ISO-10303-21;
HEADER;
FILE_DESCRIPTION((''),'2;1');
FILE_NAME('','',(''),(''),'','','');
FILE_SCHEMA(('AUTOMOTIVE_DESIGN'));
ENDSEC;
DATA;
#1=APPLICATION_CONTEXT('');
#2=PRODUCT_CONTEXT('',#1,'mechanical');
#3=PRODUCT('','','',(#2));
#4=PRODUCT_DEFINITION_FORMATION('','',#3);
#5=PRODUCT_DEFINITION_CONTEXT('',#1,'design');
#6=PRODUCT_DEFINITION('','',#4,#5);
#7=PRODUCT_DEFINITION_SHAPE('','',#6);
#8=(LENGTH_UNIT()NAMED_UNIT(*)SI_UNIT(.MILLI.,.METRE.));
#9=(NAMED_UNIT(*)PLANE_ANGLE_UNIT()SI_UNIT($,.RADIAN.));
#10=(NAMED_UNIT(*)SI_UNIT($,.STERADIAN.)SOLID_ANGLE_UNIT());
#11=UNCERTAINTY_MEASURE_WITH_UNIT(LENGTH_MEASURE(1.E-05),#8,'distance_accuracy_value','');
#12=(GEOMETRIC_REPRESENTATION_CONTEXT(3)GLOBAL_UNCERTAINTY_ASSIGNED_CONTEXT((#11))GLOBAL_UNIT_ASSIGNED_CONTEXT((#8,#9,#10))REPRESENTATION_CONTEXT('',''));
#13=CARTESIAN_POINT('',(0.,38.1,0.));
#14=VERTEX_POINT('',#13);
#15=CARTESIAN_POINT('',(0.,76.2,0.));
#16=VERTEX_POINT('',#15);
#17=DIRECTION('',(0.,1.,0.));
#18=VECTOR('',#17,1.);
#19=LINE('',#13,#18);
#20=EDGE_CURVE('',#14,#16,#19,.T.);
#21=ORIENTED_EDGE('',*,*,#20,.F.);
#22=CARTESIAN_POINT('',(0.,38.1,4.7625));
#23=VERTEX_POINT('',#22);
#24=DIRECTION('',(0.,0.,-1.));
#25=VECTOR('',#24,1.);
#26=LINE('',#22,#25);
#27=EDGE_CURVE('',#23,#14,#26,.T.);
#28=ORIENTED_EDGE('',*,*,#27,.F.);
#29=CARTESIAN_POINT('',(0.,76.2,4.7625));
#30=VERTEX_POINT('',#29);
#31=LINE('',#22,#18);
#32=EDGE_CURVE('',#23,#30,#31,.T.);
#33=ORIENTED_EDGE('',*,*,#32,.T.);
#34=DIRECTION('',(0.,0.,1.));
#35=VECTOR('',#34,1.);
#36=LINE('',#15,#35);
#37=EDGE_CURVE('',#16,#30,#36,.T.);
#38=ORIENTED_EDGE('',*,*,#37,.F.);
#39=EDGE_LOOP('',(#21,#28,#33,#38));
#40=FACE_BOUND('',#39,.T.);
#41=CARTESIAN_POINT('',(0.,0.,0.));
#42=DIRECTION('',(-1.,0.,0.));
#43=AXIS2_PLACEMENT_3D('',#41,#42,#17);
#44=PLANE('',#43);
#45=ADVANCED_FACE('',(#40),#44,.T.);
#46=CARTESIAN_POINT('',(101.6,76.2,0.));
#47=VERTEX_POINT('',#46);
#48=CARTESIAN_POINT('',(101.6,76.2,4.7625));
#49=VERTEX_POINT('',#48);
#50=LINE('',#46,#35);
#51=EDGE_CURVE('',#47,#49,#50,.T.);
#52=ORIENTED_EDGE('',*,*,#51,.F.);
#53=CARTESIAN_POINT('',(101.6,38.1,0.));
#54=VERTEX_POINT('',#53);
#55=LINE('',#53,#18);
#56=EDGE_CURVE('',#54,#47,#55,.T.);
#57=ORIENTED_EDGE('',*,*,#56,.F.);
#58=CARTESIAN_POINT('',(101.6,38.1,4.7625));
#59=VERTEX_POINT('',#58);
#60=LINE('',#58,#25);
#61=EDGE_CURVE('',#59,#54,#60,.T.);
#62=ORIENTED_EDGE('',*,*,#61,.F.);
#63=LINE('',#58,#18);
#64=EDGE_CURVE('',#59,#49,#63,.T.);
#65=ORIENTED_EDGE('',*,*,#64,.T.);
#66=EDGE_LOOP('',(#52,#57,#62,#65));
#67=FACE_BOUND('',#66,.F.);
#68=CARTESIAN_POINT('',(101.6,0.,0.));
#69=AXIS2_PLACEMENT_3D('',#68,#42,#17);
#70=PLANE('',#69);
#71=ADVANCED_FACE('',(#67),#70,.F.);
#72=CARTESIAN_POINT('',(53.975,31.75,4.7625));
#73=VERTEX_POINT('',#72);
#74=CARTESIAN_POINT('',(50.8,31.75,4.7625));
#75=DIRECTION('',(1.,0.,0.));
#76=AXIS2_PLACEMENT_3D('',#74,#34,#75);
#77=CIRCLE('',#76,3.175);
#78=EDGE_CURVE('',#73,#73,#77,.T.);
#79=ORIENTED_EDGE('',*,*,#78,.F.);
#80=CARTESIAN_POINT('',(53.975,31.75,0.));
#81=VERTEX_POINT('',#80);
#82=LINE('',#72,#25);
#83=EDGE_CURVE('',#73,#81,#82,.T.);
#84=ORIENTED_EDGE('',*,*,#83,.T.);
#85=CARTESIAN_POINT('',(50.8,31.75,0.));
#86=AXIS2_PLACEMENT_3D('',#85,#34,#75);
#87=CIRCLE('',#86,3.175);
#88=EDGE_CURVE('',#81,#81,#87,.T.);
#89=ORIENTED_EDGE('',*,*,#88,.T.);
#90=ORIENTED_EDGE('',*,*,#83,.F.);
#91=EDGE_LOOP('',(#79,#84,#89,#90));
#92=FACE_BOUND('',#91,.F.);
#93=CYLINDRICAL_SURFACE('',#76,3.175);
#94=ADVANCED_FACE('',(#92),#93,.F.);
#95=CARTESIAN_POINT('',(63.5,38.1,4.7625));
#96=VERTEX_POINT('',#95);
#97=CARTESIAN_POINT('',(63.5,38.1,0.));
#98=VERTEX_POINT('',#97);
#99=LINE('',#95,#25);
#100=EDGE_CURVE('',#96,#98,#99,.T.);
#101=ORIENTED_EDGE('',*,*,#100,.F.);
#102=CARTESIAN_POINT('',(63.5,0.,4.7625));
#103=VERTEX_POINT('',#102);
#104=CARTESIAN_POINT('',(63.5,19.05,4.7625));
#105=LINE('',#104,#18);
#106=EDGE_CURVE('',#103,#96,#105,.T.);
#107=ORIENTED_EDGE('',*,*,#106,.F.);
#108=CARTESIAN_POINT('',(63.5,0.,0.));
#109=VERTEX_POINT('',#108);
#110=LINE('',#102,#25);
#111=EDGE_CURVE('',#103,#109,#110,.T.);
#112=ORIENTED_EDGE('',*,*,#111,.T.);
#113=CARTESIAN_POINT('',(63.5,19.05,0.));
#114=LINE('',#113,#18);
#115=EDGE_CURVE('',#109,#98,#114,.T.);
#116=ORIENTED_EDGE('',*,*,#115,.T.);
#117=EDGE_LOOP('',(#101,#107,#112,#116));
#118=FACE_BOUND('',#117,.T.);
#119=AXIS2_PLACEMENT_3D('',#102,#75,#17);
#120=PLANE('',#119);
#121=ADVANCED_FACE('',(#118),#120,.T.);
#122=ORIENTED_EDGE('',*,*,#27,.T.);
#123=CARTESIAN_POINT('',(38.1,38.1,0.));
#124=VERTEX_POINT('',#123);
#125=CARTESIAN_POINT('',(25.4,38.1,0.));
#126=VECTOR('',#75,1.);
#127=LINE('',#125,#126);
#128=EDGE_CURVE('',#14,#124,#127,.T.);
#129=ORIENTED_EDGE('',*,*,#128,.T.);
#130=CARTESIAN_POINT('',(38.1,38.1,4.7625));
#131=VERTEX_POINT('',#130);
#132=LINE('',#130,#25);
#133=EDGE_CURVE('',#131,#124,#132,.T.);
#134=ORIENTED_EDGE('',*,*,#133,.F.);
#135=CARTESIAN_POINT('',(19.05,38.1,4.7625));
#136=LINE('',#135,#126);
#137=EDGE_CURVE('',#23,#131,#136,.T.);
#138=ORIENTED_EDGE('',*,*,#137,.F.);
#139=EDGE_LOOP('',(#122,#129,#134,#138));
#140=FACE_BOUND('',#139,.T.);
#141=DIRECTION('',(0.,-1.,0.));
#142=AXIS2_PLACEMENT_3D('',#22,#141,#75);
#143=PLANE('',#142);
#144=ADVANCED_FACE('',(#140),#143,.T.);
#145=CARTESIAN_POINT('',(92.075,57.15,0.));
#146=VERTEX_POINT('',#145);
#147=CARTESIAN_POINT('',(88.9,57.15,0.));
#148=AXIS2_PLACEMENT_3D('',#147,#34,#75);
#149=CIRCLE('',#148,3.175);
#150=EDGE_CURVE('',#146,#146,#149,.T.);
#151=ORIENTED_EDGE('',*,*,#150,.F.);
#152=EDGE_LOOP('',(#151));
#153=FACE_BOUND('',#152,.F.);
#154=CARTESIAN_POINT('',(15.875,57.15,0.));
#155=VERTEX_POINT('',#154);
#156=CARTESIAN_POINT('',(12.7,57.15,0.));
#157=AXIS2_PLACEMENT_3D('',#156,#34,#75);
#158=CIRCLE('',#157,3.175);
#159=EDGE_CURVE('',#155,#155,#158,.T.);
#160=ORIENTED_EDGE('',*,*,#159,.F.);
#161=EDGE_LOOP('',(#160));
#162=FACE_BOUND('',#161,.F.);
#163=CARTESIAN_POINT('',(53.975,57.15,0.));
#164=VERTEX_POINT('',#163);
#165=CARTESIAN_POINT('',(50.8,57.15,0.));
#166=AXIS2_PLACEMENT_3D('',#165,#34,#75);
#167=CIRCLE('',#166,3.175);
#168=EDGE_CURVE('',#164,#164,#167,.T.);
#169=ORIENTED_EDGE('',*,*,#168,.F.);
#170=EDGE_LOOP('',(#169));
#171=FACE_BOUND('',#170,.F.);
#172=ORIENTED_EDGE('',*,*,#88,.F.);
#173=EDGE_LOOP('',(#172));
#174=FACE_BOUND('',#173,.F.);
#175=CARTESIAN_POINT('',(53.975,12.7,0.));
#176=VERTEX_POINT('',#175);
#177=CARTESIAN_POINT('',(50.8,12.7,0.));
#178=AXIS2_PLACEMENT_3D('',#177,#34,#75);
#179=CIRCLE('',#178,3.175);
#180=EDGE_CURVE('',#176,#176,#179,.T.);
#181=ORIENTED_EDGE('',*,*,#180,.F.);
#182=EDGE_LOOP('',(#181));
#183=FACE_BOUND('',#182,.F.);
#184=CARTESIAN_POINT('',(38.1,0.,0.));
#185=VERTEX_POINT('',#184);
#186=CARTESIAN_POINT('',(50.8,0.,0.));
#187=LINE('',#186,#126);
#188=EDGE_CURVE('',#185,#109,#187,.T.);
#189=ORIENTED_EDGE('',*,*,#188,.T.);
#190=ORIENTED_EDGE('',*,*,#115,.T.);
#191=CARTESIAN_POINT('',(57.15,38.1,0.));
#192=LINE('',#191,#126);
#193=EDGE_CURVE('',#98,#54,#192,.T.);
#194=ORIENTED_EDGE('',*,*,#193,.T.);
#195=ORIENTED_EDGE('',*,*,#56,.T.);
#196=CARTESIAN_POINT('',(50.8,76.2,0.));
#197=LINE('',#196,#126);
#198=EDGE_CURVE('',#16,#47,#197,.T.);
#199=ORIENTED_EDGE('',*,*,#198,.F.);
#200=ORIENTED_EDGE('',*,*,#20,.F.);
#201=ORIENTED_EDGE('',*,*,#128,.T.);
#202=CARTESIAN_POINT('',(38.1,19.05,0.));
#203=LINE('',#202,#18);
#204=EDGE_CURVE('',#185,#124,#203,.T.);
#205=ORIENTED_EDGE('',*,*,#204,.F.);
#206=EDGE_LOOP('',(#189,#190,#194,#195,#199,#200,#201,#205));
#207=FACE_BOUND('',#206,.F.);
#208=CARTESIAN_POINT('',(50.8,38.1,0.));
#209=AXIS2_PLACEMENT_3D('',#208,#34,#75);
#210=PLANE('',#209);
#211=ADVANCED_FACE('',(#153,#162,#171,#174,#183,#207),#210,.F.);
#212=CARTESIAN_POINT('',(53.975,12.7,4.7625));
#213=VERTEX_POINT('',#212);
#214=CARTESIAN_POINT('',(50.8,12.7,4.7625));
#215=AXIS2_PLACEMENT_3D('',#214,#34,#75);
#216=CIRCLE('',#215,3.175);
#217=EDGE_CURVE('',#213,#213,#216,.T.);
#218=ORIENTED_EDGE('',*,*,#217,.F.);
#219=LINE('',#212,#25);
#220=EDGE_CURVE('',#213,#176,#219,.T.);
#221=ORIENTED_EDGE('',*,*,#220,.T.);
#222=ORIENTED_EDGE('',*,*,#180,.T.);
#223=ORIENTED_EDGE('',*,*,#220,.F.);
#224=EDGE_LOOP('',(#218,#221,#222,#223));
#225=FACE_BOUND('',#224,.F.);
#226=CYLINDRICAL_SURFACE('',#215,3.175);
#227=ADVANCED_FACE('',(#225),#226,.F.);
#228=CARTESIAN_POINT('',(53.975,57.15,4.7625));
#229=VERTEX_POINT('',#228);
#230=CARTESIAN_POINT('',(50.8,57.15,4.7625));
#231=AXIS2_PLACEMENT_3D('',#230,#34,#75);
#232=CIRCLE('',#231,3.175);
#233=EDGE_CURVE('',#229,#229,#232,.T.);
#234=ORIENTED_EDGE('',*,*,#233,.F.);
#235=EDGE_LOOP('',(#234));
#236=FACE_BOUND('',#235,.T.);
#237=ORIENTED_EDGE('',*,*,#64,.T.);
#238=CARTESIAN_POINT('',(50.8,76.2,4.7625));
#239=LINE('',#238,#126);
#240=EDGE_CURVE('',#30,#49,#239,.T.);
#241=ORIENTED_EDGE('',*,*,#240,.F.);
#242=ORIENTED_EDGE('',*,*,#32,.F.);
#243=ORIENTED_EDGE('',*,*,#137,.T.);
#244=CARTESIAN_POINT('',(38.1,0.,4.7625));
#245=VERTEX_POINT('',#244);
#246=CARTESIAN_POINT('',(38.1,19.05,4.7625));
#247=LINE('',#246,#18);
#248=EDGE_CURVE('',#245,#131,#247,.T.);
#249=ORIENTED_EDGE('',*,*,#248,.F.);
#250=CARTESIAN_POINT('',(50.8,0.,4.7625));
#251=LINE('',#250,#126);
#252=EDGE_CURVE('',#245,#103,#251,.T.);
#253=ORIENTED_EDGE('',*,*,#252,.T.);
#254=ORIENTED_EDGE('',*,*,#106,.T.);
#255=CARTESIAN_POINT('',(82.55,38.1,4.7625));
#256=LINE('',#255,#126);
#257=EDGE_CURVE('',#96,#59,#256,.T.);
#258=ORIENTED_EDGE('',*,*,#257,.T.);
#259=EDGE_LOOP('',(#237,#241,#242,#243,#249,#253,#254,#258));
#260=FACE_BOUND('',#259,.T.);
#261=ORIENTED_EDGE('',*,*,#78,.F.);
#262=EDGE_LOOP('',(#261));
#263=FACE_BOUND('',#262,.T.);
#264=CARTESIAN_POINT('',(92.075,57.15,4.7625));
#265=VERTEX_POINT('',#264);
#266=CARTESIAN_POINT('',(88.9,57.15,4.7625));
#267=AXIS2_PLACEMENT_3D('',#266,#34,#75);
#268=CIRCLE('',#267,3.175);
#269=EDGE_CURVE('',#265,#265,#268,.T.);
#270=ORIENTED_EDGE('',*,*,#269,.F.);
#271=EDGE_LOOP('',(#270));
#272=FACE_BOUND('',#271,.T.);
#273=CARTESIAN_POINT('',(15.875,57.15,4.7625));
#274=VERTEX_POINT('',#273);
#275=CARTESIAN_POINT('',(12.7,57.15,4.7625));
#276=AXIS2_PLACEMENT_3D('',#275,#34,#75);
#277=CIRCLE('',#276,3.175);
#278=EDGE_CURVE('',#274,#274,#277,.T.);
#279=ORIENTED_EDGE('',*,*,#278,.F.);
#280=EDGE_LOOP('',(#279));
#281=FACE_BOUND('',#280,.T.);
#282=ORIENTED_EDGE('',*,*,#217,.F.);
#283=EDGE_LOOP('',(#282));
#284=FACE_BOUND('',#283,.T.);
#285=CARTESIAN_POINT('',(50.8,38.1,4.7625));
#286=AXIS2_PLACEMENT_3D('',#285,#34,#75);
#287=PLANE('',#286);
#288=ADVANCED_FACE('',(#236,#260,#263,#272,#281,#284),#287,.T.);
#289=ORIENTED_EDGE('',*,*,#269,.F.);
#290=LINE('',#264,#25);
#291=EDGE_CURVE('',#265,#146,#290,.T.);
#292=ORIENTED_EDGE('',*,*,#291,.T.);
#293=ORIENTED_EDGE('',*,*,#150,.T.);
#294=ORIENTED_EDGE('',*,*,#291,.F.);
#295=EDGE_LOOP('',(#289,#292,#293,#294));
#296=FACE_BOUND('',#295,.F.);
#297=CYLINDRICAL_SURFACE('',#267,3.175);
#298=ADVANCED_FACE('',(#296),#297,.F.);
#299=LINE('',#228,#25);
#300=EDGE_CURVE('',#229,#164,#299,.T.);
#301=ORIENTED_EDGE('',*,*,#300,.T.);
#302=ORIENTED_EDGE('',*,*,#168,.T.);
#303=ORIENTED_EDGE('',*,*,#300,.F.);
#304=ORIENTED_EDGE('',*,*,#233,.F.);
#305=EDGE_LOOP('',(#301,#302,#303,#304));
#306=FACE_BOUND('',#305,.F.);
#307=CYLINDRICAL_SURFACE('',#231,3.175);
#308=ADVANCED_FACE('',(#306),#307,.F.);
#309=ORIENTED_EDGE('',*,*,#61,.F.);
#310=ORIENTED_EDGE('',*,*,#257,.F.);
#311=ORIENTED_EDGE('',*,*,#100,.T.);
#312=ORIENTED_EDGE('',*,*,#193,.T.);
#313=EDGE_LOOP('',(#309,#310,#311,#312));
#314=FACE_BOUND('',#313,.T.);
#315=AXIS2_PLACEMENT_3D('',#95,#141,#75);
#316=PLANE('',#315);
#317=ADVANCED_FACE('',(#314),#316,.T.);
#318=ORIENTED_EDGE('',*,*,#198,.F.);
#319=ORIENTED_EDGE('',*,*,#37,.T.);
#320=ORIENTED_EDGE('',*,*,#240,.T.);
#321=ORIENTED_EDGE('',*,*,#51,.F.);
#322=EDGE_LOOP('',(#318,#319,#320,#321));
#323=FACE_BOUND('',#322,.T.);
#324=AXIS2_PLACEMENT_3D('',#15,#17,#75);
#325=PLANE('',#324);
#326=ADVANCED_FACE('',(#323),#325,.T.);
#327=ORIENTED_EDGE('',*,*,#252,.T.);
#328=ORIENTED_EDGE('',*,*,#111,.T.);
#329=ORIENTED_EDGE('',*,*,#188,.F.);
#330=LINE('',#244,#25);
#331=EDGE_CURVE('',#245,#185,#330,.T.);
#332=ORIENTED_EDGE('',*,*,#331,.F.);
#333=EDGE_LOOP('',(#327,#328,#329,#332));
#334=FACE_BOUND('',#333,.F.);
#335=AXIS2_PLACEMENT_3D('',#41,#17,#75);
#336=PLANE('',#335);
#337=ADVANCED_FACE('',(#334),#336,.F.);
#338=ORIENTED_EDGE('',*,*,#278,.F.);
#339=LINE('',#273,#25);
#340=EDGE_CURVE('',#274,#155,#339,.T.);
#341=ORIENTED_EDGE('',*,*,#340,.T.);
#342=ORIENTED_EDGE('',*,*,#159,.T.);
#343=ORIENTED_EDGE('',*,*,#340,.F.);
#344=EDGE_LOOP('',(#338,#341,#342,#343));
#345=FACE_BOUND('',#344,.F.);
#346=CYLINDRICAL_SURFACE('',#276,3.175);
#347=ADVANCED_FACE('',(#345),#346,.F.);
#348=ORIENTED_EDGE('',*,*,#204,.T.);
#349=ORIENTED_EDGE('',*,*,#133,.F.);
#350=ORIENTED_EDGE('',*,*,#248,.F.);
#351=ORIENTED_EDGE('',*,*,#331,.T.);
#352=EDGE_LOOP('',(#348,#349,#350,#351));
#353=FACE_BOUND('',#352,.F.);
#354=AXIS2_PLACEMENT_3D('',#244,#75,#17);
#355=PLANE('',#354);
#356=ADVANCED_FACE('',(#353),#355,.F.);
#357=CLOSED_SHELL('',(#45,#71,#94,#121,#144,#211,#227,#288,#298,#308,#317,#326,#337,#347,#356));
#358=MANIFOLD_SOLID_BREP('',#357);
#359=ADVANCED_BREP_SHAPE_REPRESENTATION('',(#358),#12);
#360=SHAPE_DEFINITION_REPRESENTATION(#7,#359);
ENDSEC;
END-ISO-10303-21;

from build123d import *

# Parameters (mm, degrees)
F0_W     = 101.6
F0_H     = 76.2
F1_DEPTH = 4.7625
F2_W     = 38.1
F2_H     = 38.1
F3_DEPTH = 25.4
F4_R     = 3.175
F5_DEPTH = 25.4


with BuildPart() as f1:
    # F0 (on Top) → F1 (new body)
    with BuildSketch(Plane.XY):
        with Locations((50.8, 38.1)):
            Rectangle(F0_W, F0_H)
    extrude(amount=F1_DEPTH)

    # F2 (on face) → F3 (cut)
    with BuildSketch(Plane.XY.offset(4.7625)):
        with Locations((82.55, 19.05)):
            Rectangle(F2_W, F2_H)
        with Locations((19.05, 19.05)):
            Rectangle(F2_W, F2_H)
    extrude(amount=-F3_DEPTH, mode=Mode.SUBTRACT)

    # F4 (on face) → F5 (cut)
    with BuildSketch(Plane.XY.offset(4.7625)):
        with Locations((50.8, 12.7)):
            Circle(F4_R)
        with Locations((50.8, 31.75)):
            Circle(F4_R)
        with Locations((12.7, 57.15)):
            Circle(F4_R)
        with Locations((50.8, 57.15)):
            Circle(F4_R)
        with Locations((88.9, 57.15)):
            Circle(F4_R)
    extrude(amount=-F5_DEPTH, mode=Mode.SUBTRACT)


solid = f1.part
